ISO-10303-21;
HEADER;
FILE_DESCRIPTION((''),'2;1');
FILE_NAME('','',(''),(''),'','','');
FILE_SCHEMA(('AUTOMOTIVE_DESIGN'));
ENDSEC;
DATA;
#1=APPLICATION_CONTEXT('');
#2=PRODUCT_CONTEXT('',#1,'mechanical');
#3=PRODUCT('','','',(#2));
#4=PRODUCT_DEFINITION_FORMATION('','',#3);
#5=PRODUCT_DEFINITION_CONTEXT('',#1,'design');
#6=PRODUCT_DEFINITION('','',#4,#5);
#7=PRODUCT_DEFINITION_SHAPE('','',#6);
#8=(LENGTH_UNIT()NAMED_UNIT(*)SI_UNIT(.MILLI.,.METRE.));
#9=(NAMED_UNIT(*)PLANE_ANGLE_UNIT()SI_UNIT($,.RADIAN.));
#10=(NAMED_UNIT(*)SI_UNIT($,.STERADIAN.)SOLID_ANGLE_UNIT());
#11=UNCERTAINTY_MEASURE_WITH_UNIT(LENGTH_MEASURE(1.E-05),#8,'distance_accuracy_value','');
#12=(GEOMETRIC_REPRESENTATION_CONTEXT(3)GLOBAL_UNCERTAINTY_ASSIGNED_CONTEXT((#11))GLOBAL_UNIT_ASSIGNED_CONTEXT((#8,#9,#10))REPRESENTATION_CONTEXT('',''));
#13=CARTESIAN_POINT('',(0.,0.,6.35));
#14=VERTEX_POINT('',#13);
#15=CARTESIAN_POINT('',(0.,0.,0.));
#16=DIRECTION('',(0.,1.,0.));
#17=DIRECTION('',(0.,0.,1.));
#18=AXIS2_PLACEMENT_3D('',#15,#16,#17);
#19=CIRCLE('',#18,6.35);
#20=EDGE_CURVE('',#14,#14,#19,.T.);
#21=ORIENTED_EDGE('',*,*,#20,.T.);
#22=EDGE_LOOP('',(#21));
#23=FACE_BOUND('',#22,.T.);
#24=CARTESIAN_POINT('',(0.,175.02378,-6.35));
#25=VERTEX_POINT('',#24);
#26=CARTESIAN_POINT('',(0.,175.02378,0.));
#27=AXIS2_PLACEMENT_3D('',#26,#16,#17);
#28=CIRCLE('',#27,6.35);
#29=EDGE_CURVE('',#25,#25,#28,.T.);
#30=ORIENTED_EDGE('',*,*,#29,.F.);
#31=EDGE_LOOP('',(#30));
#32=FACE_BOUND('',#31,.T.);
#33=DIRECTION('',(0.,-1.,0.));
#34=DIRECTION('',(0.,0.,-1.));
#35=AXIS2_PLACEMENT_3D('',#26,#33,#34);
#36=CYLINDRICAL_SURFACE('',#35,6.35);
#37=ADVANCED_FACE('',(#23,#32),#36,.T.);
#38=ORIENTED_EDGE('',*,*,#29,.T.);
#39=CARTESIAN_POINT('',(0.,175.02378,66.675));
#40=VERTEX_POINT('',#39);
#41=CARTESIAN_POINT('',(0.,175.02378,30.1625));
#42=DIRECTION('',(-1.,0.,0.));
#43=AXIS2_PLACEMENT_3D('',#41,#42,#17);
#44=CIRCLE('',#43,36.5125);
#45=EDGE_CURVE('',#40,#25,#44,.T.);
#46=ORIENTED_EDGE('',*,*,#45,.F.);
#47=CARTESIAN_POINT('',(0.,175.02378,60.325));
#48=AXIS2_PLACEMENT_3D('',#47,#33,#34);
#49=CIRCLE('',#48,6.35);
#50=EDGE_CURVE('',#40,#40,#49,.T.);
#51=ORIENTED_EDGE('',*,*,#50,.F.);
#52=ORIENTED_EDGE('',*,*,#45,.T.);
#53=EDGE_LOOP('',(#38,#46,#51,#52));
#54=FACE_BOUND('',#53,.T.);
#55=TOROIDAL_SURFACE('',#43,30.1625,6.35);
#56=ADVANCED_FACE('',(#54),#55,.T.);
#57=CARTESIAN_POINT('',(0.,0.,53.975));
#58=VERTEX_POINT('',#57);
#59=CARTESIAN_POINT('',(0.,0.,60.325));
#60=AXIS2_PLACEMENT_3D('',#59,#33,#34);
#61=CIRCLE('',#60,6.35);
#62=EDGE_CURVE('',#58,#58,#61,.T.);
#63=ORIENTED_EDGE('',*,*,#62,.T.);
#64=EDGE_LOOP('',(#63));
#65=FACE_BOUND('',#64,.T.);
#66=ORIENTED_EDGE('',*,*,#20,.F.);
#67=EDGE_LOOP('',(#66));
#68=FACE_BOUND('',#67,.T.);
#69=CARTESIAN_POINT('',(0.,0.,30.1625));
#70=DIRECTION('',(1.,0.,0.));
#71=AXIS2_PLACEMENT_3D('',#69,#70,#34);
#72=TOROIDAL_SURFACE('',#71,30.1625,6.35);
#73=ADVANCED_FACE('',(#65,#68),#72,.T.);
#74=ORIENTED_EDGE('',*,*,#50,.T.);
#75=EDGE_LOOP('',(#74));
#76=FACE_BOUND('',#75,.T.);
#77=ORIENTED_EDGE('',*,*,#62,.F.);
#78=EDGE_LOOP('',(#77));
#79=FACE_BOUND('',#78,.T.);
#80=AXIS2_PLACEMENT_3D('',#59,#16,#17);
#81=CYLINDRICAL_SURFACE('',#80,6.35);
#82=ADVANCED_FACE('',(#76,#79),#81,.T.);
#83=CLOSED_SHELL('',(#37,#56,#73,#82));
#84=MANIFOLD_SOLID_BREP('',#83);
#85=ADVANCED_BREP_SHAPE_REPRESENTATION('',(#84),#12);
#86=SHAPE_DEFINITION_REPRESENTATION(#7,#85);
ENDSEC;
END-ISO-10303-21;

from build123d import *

# Parameters (mm, degrees)
SKETCH2_R = 6.35


with BuildPart() as part:
    # Sweep1: sweep along a path in Sketch3
    with BuildLine(Plane(origin=(0, 0, 0), x_dir=(0, 0, -1), z_dir=(1, 0, 0))) as sweep1_path:
        Line((0, 0), (0, 175.02378))
        ThreePointArc((0, 175.02378), (-30.1625, 205.18628), (-60.325, 175.02378))
        Line((-60.325, 175.02378), (-60.325, 0))
        ThreePointArc((-60.325, 0), (-30.1625, -30.1625), (0, 0))
    # Sketch2 → Sweep1 (sweep)
    with BuildSketch(Plane(origin=(0, 0, 0), x_dir=(1, 0, 0), z_dir=(0, 1, 0))):
        Circle(SKETCH2_R)
    sweep(path=sweep1_path.line)


solid = part.part
